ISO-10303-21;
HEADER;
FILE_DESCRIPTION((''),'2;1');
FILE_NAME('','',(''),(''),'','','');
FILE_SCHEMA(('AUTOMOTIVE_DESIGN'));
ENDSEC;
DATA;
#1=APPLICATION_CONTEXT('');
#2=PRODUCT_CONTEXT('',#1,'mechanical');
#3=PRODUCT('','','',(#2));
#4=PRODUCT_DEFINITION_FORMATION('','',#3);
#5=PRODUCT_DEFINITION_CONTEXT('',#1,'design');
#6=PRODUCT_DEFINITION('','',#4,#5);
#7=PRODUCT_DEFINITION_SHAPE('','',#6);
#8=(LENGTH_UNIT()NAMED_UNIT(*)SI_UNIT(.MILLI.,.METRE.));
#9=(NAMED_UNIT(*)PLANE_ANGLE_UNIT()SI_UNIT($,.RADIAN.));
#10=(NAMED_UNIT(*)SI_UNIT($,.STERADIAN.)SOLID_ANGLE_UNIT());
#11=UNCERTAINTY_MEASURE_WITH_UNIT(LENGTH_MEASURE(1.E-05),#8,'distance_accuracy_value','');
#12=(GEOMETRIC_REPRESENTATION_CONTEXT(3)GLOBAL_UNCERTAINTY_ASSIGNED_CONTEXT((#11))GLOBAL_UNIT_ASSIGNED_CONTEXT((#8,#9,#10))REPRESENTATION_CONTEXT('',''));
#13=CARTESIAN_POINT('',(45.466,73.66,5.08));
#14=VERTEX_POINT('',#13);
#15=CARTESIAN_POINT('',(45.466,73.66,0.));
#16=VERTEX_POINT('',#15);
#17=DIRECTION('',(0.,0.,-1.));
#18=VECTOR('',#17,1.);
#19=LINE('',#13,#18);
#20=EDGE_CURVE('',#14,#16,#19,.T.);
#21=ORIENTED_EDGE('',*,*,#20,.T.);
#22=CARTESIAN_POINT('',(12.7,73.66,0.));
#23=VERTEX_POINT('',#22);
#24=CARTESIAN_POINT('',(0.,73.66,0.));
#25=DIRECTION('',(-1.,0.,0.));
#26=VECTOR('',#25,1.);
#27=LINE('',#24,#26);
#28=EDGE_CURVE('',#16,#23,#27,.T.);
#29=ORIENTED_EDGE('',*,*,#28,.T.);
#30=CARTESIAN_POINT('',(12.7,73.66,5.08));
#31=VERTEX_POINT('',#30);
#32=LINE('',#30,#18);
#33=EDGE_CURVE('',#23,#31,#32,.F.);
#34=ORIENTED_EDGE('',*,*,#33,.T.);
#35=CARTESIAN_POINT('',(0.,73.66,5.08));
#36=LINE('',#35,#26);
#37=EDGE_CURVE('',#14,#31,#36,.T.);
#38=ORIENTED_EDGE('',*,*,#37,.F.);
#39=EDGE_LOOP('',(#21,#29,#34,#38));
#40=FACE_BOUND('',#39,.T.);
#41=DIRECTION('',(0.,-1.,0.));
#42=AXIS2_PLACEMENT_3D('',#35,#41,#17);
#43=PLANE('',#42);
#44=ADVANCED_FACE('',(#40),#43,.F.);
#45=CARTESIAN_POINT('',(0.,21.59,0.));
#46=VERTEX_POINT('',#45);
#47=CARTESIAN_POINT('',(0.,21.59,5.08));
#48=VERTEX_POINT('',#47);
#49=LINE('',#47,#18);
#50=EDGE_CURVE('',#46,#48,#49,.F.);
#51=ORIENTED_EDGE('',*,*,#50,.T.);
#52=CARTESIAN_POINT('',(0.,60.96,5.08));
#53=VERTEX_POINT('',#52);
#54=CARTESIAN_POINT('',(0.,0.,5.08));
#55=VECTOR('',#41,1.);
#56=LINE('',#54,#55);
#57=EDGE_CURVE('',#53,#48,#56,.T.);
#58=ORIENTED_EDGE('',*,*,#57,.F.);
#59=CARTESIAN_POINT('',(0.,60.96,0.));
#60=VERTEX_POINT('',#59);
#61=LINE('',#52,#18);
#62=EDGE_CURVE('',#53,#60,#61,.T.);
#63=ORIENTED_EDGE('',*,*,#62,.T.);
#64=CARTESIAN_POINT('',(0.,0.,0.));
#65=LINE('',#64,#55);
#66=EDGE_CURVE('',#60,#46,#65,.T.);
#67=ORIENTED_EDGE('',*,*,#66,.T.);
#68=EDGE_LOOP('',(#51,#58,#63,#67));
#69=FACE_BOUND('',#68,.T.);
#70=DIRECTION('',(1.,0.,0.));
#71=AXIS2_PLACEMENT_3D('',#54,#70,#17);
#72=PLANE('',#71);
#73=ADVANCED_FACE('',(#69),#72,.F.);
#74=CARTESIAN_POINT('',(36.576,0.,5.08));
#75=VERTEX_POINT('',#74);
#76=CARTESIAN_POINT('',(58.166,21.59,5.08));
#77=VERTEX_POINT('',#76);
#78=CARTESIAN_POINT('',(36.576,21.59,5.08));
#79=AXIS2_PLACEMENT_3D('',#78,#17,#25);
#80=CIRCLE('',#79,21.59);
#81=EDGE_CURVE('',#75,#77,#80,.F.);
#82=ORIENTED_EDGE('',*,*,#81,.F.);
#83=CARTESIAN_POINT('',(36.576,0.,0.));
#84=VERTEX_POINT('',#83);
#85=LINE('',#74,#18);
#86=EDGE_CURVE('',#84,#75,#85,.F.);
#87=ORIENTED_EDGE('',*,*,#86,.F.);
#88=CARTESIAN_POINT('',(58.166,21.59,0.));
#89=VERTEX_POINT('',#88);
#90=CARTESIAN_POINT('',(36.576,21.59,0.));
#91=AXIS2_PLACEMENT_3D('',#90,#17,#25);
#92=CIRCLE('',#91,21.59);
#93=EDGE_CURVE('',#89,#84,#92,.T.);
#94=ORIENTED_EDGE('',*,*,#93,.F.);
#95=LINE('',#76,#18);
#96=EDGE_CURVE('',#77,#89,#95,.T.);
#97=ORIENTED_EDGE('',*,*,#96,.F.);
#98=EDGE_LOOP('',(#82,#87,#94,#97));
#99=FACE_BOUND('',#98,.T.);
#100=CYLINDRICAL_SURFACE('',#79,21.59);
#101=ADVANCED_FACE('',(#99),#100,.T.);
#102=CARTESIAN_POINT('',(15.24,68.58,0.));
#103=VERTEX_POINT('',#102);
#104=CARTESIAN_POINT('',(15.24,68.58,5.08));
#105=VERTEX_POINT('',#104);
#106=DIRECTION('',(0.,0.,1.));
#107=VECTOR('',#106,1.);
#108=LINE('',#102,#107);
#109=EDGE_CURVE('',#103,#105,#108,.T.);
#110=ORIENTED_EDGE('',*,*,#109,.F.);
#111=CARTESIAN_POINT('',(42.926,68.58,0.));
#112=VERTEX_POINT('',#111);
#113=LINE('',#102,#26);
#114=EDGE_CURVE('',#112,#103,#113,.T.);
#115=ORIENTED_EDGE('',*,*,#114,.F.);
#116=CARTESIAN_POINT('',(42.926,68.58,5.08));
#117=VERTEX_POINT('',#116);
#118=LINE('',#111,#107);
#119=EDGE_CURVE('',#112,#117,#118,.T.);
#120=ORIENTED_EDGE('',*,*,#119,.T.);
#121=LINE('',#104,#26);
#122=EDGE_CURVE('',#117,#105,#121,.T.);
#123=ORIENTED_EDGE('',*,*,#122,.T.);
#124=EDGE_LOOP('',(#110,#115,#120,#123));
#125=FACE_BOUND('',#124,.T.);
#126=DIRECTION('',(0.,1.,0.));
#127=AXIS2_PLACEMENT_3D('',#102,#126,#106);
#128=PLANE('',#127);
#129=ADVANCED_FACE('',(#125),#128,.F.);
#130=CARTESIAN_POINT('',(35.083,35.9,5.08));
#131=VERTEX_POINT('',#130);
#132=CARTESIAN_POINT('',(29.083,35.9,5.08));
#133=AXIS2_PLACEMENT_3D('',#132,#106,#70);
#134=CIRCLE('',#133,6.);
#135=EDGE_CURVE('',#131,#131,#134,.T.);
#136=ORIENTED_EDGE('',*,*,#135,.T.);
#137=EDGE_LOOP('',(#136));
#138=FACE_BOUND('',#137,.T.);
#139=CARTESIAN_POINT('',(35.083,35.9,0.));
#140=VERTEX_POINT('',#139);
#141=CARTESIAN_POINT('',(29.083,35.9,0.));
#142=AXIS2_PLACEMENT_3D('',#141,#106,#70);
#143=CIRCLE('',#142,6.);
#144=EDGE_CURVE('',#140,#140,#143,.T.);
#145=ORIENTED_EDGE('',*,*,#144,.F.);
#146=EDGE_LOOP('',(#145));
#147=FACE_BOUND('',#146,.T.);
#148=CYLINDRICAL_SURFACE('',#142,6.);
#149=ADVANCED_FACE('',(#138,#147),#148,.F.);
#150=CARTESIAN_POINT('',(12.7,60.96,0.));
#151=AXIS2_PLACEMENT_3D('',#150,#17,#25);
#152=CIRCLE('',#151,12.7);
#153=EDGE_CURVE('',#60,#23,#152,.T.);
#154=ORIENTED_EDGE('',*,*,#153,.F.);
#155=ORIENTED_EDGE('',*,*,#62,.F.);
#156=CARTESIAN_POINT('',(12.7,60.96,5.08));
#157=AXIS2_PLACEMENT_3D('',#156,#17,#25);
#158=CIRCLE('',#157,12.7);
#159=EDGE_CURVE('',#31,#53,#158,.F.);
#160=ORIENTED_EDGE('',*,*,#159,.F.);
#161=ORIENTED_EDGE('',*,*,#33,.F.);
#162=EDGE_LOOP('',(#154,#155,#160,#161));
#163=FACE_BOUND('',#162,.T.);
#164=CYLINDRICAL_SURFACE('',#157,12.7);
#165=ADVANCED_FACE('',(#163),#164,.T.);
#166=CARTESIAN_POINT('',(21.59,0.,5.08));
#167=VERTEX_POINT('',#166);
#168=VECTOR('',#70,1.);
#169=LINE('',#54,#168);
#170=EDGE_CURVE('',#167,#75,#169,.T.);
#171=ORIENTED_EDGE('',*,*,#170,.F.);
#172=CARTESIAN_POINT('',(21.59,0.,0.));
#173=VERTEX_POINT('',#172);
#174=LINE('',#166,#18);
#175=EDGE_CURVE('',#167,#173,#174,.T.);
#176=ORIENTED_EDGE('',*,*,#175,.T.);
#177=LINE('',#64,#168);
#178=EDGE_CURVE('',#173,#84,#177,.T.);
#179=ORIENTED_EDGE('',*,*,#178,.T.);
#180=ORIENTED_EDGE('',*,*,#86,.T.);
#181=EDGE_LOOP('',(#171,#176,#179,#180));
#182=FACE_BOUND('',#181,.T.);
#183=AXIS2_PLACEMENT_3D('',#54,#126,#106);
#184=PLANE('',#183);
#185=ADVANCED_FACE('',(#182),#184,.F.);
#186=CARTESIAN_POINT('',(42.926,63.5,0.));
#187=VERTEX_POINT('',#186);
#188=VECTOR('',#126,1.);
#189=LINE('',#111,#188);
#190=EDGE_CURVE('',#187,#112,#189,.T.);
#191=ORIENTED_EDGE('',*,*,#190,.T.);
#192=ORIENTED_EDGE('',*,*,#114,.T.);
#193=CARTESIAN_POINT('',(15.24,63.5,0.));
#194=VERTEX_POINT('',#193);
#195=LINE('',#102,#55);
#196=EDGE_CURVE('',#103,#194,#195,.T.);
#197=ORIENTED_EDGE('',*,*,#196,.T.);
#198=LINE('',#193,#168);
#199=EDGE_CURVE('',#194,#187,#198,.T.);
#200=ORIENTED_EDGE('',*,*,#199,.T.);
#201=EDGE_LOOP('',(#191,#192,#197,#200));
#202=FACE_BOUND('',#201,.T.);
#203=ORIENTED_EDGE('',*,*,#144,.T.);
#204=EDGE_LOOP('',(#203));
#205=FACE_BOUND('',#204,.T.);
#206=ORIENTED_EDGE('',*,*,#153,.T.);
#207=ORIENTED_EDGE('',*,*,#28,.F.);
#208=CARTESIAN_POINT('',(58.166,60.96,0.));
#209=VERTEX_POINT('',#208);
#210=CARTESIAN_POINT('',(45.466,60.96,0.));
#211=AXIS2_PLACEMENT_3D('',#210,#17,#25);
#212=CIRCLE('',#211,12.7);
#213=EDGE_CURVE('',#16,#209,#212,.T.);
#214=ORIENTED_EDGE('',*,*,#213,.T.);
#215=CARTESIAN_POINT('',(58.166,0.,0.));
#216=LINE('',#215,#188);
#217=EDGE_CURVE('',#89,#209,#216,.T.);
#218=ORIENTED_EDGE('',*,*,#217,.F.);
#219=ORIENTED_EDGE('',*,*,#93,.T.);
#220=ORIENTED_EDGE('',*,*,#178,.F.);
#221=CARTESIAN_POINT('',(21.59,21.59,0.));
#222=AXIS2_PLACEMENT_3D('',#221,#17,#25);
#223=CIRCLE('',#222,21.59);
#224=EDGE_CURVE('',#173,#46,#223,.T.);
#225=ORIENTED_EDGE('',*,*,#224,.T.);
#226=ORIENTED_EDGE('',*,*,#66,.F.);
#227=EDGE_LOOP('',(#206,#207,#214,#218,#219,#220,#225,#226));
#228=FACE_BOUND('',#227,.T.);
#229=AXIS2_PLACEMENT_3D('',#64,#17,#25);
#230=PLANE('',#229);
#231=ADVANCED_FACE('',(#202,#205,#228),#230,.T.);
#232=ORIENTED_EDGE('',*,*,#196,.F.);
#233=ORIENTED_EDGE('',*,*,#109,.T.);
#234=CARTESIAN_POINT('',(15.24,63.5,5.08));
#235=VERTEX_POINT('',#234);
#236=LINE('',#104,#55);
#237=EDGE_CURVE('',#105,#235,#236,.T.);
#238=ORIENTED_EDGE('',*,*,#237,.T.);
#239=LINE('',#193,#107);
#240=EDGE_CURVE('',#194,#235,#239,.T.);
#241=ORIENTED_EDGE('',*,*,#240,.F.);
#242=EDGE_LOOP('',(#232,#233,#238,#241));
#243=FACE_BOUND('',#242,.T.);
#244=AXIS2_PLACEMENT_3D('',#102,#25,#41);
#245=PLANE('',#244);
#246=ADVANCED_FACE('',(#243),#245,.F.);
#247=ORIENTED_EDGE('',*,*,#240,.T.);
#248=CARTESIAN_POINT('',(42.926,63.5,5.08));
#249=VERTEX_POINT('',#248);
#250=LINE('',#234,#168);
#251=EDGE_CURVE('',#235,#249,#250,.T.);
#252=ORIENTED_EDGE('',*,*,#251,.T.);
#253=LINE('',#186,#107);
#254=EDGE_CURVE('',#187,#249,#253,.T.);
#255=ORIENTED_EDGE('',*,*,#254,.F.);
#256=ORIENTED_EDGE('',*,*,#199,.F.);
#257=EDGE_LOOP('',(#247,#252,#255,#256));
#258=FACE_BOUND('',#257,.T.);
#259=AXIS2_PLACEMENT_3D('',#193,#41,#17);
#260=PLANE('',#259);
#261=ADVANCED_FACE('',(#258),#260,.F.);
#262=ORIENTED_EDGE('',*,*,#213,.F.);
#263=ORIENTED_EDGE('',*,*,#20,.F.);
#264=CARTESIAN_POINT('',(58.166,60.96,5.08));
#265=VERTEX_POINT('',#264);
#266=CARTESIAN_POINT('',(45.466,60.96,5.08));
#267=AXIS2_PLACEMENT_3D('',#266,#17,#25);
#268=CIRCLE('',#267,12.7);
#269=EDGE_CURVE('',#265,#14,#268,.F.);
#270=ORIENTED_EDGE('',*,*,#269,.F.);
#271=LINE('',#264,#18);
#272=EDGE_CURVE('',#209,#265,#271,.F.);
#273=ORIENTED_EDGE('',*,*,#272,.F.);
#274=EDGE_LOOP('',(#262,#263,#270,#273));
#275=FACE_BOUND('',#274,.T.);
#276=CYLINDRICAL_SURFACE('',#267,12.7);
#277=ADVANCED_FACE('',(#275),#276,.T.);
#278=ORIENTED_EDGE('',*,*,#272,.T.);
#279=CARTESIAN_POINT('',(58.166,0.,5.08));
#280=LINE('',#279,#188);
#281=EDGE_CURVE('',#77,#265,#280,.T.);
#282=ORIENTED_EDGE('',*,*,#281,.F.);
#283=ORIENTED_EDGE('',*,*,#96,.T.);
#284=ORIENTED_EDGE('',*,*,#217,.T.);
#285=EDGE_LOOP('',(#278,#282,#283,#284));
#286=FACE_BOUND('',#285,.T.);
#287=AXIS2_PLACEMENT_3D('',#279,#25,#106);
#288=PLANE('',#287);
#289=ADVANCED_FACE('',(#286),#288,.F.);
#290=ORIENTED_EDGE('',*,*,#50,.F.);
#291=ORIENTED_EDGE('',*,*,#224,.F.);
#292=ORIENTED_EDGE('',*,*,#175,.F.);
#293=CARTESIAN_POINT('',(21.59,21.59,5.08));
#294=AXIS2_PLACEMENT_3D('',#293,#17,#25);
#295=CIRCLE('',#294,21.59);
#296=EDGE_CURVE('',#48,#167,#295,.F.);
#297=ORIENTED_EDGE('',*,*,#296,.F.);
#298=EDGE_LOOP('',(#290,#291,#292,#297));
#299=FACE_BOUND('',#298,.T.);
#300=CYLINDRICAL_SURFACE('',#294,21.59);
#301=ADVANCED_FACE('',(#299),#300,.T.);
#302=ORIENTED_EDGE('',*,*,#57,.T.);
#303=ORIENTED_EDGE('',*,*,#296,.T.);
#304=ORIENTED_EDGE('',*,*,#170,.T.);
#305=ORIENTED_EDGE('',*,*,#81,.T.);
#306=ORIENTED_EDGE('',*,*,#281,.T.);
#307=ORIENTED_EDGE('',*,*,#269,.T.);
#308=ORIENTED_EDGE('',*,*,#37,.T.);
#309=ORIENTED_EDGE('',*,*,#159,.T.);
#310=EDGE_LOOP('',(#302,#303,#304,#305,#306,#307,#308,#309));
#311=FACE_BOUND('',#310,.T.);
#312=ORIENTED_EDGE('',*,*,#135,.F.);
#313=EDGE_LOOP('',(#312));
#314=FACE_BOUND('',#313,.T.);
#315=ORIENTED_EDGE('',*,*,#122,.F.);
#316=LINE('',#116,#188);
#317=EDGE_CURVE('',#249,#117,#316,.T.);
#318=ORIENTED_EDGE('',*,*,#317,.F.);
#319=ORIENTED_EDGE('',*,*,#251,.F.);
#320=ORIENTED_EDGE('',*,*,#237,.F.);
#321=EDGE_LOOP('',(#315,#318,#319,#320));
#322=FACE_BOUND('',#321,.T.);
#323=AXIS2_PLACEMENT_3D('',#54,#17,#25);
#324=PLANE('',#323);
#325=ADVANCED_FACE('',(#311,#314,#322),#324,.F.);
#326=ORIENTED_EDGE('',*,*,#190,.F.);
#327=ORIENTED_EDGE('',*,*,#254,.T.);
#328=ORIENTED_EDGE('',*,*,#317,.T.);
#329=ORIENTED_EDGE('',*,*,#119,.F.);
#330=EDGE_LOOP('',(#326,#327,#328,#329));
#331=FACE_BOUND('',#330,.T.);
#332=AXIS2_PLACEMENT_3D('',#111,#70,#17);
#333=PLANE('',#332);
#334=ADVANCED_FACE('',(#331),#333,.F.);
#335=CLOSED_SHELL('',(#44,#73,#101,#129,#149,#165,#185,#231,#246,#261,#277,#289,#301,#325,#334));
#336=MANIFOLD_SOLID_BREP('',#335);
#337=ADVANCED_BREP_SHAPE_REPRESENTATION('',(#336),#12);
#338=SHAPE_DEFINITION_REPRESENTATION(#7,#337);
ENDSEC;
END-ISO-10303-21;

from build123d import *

# Parameters (mm, degrees)
SKETCH1_W           = 58.166
SKETCH1_H           = 73.66
BOSS_EXTRUDE1_DEPTH = 5.08
SKETCH2_W           = 27.686
SKETCH2_H           = 5.08
CUT_EXTRUDE1_DEPTH  = 94.994071919
SKETCH7_R           = 6
CUT_EXTRUDE2_DEPTH  = 94.994071919
FILLET1_R           = 21.59
FILLET2_R           = 12.7


with BuildPart() as part:
    # Sketch1 → Boss-Extrude1 (new body)
    with BuildSketch(Plane.XY):
        with Locations((29.083, 36.83)):
            Rectangle(SKETCH1_W, SKETCH1_H)
    extrude(amount=BOSS_EXTRUDE1_DEPTH)

    # Sketch2 → Cut-Extrude1 (cut, through all)
    with BuildSketch(Plane.XY.offset(5.08)):
        with Locations((29.083, 66.04)):
            Rectangle(SKETCH2_W, SKETCH2_H)
    extrude(amount=-CUT_EXTRUDE1_DEPTH, mode=Mode.SUBTRACT)

    # Sketch7 → Cut-Extrude2 (cut, through all)
    with BuildSketch(Plane.XY.offset(5.08)):
        with Locations((29.083, 35.9)):
            Circle(SKETCH7_R)
    extrude(amount=-CUT_EXTRUDE2_DEPTH, mode=Mode.SUBTRACT)

    # Fillet1
    fillet1_edges = [part.edges().sort_by_distance(p)[0] for p in [
        (58.166, 0, 2.54),
        (0, 0, 2.54),
    ]]
    fillet(fillet1_edges, radius=FILLET1_R)

    # Fillet2
    fillet2_edges = [part.edges().sort_by_distance(p)[0] for p in [
        (0, 73.66, 2.54),
        (58.166, 73.66, 2.54),
    ]]
    fillet(fillet2_edges, radius=FILLET2_R)


solid = part.part
